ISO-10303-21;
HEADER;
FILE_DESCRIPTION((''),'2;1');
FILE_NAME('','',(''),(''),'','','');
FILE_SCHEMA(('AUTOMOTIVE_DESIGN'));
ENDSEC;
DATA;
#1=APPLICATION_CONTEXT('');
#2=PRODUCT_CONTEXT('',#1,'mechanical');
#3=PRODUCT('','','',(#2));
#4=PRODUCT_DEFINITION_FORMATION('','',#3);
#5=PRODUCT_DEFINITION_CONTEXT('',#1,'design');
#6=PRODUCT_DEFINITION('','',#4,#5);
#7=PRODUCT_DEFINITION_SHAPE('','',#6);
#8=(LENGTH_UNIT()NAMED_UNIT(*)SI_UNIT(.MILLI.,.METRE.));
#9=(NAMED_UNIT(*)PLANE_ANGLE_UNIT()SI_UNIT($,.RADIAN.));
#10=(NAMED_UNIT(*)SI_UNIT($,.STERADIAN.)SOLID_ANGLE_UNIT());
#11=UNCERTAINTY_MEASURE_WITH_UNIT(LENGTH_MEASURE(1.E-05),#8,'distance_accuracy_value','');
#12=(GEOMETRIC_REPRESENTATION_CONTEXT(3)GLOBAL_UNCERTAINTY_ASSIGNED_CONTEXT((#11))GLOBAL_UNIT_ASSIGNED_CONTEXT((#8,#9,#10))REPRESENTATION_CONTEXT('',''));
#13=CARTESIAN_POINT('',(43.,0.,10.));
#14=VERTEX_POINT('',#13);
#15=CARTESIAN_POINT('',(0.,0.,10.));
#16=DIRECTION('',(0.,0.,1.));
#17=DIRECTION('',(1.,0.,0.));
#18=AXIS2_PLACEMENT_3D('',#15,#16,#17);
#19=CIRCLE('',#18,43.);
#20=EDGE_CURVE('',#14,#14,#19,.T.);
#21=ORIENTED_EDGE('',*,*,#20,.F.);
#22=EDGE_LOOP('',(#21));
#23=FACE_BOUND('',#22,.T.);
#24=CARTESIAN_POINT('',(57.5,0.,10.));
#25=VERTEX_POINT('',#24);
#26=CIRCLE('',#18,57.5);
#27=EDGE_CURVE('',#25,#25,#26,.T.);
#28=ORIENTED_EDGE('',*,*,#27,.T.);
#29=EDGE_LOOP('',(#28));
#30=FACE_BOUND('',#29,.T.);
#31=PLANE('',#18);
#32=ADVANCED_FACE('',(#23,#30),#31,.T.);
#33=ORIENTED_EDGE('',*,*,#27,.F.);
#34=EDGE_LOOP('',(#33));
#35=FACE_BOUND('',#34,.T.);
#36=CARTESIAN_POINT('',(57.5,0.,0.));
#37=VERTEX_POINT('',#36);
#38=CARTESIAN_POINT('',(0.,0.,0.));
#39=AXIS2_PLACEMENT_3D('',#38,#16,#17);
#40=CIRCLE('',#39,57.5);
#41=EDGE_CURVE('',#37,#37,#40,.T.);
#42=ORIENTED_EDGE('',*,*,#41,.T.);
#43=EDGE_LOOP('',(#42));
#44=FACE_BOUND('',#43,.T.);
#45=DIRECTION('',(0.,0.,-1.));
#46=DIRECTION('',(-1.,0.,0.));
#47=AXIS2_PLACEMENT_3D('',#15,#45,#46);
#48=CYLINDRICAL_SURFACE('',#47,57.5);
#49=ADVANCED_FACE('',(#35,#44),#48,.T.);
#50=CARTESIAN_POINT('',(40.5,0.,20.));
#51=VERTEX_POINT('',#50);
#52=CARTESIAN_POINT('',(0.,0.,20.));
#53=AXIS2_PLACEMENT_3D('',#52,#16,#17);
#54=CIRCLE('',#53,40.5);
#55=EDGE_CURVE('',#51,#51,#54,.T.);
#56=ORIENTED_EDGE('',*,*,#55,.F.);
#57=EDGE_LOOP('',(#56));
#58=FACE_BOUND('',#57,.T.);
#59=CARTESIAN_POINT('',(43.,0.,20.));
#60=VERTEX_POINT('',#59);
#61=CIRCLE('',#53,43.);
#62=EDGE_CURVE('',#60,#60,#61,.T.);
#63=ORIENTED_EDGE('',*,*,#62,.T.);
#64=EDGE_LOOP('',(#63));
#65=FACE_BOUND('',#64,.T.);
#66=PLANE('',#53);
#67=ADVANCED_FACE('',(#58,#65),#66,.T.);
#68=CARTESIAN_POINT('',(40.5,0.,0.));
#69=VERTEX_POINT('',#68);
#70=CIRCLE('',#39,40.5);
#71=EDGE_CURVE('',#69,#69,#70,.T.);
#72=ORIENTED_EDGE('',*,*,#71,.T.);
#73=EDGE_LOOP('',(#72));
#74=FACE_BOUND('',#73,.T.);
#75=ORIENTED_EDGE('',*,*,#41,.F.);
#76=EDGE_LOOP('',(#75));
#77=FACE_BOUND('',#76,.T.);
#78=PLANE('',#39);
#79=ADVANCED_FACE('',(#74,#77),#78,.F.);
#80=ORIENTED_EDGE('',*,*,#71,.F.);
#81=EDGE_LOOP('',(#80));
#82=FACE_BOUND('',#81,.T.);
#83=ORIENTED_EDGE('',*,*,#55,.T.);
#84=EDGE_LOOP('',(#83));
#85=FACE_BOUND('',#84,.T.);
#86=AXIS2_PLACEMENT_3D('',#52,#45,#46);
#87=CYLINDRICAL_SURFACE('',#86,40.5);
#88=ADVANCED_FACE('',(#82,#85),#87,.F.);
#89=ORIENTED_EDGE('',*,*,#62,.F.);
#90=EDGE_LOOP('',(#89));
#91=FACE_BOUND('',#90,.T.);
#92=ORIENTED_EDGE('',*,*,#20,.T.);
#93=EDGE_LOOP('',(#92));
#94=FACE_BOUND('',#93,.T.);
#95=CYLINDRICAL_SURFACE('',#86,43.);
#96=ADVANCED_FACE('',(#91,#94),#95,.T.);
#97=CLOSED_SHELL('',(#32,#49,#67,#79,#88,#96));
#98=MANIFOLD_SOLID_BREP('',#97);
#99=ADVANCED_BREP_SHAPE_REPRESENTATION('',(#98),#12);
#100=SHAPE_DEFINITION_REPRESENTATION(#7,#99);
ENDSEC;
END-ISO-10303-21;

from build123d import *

# Parameters (mm, degrees)
ESBO_O1_R                = 57.5
ESBO_O1_R_2              = 43
RESSALTO_EXTRUS_O1_DEPTH = 10
ESBO_O1_4_R              = 43
ESBO_O1_4_R_2            = 40.5
RESSALTO_EXTRUS_O2_DEPTH = 20


with BuildPart() as part:
    # Esboço1 → Ressalto-extrusão1 (new body)
    with BuildSketch(Plane.XY):
        Circle(ESBO_O1_R)
        Circle(ESBO_O1_R_2, mode=Mode.SUBTRACT)
    extrude(amount=RESSALTO_EXTRUS_O1_DEPTH)

    # Esboço1<4> → Ressalto-extrusão2 (add)
    with BuildSketch(Plane.XY):
        Circle(ESBO_O1_4_R)
        Circle(ESBO_O1_4_R_2, mode=Mode.SUBTRACT)
    extrude(amount=RESSALTO_EXTRUS_O2_DEPTH)


solid = part.part
